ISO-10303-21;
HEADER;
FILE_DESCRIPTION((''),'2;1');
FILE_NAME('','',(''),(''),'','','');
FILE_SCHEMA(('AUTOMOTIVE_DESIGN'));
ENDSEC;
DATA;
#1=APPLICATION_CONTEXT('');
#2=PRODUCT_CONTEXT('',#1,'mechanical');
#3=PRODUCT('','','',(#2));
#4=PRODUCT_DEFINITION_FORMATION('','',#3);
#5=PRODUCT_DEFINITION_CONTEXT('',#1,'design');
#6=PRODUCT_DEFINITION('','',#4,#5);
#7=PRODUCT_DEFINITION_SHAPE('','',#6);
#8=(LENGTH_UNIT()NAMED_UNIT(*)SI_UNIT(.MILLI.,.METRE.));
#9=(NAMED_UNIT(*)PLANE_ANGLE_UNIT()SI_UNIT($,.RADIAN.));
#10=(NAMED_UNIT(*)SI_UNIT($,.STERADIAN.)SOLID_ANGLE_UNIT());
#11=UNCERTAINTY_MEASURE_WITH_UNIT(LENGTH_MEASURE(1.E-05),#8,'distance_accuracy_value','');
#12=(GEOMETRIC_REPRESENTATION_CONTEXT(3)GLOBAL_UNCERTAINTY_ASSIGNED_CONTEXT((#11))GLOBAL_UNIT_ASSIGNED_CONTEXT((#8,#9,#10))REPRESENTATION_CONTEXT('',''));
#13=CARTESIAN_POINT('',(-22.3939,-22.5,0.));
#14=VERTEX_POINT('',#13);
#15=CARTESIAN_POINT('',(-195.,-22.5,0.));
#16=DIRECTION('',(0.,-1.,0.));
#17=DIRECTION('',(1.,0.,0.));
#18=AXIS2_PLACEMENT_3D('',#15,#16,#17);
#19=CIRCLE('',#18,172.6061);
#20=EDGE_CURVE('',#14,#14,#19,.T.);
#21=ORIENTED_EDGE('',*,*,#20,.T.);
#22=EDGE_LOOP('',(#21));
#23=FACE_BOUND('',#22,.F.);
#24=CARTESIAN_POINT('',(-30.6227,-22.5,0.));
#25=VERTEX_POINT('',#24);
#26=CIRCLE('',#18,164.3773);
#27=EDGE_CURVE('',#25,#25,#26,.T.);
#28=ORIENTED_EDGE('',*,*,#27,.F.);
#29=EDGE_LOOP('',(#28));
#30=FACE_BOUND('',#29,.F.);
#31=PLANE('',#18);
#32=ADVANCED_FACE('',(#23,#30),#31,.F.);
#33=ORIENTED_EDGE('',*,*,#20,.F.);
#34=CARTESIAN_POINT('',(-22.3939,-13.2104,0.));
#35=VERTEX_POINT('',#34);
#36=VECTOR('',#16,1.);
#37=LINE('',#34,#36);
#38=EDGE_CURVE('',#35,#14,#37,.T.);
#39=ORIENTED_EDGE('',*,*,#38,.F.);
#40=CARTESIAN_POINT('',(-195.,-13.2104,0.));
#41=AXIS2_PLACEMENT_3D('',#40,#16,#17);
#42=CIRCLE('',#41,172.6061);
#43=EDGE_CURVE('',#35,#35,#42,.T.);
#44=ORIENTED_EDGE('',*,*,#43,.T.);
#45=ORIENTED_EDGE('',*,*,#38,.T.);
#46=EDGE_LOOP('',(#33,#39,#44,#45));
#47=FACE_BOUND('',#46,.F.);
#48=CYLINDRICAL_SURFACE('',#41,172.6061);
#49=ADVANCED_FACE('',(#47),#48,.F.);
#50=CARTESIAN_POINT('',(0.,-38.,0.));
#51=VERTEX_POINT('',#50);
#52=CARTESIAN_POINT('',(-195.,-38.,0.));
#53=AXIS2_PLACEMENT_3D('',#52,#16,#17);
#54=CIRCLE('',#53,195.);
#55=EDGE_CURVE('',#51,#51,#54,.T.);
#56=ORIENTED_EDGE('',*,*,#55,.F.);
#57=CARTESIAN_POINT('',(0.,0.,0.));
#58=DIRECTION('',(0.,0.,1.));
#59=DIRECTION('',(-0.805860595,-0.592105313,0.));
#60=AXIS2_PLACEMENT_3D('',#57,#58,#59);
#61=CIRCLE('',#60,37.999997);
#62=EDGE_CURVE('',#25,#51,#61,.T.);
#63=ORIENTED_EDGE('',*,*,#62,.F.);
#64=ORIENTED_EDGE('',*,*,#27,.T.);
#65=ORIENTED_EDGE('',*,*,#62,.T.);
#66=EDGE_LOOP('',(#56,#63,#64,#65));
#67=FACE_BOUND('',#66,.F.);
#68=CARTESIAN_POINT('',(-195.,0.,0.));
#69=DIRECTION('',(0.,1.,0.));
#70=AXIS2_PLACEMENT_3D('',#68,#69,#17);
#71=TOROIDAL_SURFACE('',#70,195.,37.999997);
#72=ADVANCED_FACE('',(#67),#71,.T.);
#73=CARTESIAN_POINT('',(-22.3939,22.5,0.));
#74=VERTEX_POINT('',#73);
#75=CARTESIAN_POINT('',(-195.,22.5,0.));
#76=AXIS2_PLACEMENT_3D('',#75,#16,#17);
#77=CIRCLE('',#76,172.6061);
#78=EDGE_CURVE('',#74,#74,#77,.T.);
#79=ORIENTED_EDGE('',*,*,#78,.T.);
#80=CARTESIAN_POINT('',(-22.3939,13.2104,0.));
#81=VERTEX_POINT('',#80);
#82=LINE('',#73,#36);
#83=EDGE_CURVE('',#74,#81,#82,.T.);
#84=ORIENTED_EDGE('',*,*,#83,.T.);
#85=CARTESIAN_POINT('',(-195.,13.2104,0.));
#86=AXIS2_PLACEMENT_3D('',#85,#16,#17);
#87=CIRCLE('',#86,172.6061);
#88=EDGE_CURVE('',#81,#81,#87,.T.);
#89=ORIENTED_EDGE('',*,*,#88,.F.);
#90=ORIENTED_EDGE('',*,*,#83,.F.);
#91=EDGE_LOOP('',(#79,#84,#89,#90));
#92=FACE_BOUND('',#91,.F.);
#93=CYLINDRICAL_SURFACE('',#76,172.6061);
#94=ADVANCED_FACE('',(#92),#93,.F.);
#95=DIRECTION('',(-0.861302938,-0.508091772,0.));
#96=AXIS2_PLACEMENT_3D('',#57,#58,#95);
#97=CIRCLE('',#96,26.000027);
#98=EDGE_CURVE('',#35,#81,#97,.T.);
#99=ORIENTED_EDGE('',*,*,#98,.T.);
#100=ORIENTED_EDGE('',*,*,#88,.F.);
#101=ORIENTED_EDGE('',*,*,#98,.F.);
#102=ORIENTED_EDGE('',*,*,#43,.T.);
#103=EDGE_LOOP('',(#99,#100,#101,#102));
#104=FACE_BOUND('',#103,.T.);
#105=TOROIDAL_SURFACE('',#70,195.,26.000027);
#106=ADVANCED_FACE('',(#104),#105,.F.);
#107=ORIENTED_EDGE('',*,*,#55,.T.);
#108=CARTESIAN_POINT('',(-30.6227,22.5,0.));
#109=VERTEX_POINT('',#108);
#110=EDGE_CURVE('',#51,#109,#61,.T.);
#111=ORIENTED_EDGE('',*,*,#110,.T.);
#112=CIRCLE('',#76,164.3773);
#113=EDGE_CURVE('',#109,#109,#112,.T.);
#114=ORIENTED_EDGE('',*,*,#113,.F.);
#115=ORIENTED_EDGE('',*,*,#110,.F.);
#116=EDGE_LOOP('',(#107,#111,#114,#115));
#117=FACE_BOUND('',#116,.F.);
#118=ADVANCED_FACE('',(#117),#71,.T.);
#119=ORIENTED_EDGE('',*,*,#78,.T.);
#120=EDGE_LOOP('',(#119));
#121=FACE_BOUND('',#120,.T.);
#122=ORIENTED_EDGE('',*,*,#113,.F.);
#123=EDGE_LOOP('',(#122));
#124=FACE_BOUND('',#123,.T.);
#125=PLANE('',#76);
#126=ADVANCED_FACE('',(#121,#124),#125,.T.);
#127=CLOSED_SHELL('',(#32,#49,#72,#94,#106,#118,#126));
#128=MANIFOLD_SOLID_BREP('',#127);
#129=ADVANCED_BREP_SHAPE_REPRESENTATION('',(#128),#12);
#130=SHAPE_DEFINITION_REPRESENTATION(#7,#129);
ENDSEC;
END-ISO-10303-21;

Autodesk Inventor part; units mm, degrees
ref_plane "YZ Plane" through (0, 0, 0) normal (1, 0, 0) x (0, 1, 0)
ref_plane "XZ Plane" through (0, 0, 0) normal (0, 1, 0) x (-1, 0, 0)
ref_plane "XY Plane" through (0, 0, 0) normal (0, 0, 1) x (1, 0, 0)
sketch "草圖1" plane through (0, 0, 0) normal (0, 0, 1) x (1, 0, 0)
  arc A0 (-22.3939, -13.2104) -> (-22.3939, 13.2104) centre (0, 0) ccw
  arc A1 (-30.6227, -22.5) -> (-30.6227, 22.5) centre (0, 0) ccw
  line L0 (0, 0) -> (-32.9837, 0)
  line L1 (-22.3939, 22.5) -> (-30.6227, 22.5)
  line L2 (-22.3939, -22.5) -> (-30.6227, -22.5)
  line L3 (-30.6227, 22.5) -> (-30.6227, -28.3205)
  line L4 (-22.3939, 22.5) -> (-22.3939, 13.2104)
  line L5 (-22.3939, -13.2104) -> (-22.3939, -22.5)
  line L6 (0, -38) -> (-195, -38)
  line L7 (-195, 44.7459) -> (-195, -38)
  dimension "d0" = 52
  dimension "d1" = 76
  dimension "d2" = 45
  dimension "d12" = 195
revolve "迴轉2" add sketch "草圖1" angle 360 about axis through (-195, 44.7459, 0) along (0, -1, 0) contours A0 L4 L1 A1 L2 L5
ref_plane "工作平面2" through (110, 0, 0) normal (1, 0, 0) x (0, 1, 0)
sketch "草圖2" plane through (110, 0, 0) normal (1, 0, 0) x (0, 1, 0)
  line L0 (-38, 25) -> (0, 63)
  line L1 (0, 63) -> (38, 25)
  line L2 (38, 25) -> (38, 0)
  line L3 (38, 195) -> (38, -195) projected
  line L4 (38, 0) -> (0, 38)
  line L5 (0, 38) -> (-38, 0)
  line L6 (-38, 0) -> (-38, 25)
  line L7 (-38, 195) -> (-38, -195) projected
  line L8 (38, 0) -> (-54.583, 0)
  line L9 (0, 0) -> (0, 56.6709)
  dimension "d18" = 0
  dimension "d19" = 0
  dimension "d23" = 25
properties part number "複習二"
